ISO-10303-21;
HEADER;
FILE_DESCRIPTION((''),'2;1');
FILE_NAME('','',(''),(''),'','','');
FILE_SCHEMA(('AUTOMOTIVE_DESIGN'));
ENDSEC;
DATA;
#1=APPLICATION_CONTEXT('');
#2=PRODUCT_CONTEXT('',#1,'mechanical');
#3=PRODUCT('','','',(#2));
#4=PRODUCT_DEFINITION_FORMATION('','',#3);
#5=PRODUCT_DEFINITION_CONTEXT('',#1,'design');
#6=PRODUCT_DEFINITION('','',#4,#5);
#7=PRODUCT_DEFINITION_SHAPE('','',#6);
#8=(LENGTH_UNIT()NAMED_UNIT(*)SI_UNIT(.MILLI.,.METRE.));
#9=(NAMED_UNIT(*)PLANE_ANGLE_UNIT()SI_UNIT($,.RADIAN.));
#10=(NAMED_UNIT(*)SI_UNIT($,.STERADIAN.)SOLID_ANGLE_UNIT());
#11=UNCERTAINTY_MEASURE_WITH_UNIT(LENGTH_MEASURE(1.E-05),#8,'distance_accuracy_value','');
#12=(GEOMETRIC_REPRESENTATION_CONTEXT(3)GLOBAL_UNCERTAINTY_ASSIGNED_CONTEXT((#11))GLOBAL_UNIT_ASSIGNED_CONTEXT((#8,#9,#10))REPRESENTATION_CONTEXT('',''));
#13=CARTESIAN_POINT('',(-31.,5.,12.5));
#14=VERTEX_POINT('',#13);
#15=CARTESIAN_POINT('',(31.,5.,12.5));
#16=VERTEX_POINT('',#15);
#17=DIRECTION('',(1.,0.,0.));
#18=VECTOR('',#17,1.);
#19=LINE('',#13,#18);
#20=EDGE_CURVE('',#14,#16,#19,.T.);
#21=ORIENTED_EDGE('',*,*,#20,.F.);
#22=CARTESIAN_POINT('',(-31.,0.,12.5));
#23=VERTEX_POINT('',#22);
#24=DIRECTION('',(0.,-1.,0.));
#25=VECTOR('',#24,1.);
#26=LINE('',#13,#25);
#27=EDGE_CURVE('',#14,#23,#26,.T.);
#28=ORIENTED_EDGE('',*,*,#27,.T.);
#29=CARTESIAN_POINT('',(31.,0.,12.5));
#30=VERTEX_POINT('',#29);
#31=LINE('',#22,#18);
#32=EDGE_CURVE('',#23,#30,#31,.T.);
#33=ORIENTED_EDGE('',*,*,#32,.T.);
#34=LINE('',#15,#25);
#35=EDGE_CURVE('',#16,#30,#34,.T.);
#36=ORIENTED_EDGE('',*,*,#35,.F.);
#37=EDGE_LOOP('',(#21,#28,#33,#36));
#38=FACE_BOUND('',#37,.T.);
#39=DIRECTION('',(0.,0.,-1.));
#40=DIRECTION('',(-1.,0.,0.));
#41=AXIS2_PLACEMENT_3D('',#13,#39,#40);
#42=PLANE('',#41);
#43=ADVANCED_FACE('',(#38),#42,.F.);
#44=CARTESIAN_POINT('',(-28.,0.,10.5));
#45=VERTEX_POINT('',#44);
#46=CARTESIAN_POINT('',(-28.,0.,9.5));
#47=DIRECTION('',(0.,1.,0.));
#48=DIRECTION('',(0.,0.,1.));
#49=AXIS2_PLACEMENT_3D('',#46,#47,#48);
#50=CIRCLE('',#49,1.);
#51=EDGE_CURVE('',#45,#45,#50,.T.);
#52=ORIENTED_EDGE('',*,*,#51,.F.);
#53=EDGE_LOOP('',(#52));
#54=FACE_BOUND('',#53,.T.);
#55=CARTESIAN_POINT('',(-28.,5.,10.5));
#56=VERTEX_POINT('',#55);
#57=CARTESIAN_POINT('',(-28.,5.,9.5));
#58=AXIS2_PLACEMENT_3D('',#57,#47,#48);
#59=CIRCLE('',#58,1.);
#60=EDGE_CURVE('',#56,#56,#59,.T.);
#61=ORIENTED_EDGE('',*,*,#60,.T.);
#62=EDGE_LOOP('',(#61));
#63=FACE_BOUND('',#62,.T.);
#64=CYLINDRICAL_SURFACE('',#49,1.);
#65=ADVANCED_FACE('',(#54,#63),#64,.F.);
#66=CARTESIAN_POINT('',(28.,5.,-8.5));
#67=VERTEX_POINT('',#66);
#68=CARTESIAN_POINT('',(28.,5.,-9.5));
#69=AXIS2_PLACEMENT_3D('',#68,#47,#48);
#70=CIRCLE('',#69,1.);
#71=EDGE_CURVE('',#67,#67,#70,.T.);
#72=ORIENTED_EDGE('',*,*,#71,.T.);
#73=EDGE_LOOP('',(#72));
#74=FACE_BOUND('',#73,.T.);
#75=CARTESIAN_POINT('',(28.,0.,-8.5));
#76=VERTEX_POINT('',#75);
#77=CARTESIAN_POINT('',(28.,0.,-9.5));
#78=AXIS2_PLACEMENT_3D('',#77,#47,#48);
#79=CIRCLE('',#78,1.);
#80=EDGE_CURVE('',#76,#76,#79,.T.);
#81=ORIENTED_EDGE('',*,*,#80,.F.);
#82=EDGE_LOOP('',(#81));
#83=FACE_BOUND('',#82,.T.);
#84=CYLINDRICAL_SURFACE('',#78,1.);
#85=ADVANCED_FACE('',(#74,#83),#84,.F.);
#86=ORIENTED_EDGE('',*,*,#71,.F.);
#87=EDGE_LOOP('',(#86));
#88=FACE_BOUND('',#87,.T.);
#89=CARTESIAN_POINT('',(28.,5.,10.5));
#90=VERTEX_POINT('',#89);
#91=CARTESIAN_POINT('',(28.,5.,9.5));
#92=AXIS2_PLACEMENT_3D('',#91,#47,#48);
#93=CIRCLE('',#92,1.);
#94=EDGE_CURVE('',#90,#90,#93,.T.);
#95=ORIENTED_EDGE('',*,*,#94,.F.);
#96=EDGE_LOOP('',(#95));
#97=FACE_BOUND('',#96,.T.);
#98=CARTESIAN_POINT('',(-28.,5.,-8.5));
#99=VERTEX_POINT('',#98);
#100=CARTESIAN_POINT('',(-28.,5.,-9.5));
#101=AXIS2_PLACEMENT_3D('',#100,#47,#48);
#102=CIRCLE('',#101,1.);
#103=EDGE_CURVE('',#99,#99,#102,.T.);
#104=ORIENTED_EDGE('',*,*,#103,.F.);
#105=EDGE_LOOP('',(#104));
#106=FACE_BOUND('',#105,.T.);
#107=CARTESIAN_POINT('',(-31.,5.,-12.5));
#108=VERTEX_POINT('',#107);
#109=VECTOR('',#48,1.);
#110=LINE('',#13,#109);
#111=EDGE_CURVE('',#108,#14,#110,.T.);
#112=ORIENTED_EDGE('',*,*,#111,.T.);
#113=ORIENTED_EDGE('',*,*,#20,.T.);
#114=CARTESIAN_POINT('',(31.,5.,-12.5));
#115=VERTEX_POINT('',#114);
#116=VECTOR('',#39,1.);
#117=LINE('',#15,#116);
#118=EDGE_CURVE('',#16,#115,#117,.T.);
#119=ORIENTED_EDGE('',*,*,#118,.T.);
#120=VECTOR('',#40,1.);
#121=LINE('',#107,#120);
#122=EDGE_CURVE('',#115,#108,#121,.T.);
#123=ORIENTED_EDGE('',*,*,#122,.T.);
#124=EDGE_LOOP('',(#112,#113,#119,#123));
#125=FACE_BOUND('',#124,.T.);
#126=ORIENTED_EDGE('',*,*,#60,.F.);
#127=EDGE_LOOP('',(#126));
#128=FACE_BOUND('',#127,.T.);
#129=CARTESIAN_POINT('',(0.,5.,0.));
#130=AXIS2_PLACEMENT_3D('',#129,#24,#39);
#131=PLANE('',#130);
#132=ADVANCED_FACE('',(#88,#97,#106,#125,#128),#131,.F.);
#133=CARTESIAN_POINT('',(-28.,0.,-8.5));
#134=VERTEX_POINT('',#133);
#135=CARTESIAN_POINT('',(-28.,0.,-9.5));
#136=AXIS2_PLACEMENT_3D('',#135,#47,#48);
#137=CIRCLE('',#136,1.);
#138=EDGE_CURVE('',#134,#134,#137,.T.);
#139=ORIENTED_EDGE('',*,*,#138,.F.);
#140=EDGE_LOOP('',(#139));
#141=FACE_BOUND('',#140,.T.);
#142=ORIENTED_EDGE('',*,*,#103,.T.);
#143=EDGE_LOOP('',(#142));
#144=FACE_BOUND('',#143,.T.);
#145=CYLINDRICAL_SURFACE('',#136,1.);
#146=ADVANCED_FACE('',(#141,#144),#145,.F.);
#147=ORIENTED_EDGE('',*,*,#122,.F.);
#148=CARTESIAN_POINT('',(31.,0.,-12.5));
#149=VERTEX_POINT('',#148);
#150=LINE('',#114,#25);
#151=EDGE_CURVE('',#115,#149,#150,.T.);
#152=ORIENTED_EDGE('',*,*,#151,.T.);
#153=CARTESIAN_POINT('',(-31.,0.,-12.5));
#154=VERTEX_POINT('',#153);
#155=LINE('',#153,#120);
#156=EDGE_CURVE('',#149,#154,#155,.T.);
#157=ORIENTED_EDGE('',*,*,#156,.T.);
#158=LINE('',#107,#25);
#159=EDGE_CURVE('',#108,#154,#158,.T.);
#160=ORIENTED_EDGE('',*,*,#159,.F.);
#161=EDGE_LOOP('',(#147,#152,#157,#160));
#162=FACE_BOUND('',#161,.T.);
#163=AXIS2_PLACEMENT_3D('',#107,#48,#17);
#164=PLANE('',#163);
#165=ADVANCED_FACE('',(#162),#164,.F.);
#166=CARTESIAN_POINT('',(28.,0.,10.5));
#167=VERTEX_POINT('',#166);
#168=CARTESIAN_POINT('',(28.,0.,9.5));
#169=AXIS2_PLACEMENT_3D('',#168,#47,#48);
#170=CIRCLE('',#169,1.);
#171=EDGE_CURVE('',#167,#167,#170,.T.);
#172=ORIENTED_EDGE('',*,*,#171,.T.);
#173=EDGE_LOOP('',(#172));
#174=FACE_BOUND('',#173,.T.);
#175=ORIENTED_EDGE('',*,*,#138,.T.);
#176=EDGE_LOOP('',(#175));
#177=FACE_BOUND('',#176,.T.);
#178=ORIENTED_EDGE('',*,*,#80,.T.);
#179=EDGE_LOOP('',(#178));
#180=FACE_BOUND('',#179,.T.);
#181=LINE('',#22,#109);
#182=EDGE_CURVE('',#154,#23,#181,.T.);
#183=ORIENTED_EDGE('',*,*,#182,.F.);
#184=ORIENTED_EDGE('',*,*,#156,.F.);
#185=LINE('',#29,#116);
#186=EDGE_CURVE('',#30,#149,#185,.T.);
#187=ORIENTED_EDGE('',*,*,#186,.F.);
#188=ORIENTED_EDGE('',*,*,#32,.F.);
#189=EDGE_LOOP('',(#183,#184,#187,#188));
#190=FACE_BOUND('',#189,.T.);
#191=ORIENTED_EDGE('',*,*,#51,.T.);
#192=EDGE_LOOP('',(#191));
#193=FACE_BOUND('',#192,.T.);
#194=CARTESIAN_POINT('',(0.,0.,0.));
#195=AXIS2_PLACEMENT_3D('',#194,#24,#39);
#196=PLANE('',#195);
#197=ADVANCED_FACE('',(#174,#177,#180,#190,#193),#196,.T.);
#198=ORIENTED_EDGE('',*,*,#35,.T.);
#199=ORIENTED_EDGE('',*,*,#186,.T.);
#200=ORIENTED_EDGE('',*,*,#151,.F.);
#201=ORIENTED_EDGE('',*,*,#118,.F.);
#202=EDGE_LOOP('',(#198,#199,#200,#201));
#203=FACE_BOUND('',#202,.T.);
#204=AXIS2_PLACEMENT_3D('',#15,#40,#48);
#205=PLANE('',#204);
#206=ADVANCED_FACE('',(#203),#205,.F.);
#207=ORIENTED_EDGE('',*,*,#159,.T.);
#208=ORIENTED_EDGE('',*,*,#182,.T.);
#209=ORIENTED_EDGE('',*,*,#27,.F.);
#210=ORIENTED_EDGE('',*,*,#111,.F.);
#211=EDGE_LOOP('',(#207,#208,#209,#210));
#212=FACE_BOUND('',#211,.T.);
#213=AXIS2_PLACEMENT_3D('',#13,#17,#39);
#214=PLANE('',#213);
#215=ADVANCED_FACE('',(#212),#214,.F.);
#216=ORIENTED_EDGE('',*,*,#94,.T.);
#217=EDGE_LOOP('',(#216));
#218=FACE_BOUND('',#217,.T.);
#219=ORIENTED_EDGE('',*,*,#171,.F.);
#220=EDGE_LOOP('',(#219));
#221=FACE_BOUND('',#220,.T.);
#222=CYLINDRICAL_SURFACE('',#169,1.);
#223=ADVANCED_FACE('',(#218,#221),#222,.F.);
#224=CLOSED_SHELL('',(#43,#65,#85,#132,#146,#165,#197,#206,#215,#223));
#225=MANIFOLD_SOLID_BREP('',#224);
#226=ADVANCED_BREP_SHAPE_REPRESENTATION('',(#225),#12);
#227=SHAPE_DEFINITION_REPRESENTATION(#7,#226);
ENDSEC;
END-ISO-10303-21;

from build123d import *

# Parameters (mm, degrees)
SCHIZZO1_W                   = 62
SCHIZZO1_H                   = 25
ESTRUSIONE_ESTRUSIONE1_DEPTH = 5
SCHIZZO2_R                   = 1
TAGLIO_ESTRUSIONE1_DEPTH     = 5


with BuildPart() as part:
    # Schizzo1 → Estrusione-Estrusione1 (new body)
    with BuildSketch(Plane(origin=(0, 0, 0), x_dir=(1, 0, 0), z_dir=(0, 1, 0))):
        Rectangle(SCHIZZO1_W, SCHIZZO1_H)
    extrude(amount=ESTRUSIONE_ESTRUSIONE1_DEPTH)

    # Schizzo2 → Taglio-Estrusione1 (cut)
    with BuildSketch(Plane(origin=(0, 5, 0), x_dir=(1, 0, 0), z_dir=(0, 1, 0))):
        with Locations(Location((-28, 9.5, 0), (0, 0, 270))):
            Circle(SCHIZZO2_R)
        with Locations(Location((-28, -9.5, 0), (0, 0, 270))):
            Circle(SCHIZZO2_R)
        with Locations(Location((28, 9.5, 0), (0, 0, 270))):
            Circle(SCHIZZO2_R)
        with Locations(Location((28, -9.5, 0), (0, 0, 270))):
            Circle(SCHIZZO2_R)
    extrude(amount=-TAGLIO_ESTRUSIONE1_DEPTH, mode=Mode.SUBTRACT)


solid = part.part
